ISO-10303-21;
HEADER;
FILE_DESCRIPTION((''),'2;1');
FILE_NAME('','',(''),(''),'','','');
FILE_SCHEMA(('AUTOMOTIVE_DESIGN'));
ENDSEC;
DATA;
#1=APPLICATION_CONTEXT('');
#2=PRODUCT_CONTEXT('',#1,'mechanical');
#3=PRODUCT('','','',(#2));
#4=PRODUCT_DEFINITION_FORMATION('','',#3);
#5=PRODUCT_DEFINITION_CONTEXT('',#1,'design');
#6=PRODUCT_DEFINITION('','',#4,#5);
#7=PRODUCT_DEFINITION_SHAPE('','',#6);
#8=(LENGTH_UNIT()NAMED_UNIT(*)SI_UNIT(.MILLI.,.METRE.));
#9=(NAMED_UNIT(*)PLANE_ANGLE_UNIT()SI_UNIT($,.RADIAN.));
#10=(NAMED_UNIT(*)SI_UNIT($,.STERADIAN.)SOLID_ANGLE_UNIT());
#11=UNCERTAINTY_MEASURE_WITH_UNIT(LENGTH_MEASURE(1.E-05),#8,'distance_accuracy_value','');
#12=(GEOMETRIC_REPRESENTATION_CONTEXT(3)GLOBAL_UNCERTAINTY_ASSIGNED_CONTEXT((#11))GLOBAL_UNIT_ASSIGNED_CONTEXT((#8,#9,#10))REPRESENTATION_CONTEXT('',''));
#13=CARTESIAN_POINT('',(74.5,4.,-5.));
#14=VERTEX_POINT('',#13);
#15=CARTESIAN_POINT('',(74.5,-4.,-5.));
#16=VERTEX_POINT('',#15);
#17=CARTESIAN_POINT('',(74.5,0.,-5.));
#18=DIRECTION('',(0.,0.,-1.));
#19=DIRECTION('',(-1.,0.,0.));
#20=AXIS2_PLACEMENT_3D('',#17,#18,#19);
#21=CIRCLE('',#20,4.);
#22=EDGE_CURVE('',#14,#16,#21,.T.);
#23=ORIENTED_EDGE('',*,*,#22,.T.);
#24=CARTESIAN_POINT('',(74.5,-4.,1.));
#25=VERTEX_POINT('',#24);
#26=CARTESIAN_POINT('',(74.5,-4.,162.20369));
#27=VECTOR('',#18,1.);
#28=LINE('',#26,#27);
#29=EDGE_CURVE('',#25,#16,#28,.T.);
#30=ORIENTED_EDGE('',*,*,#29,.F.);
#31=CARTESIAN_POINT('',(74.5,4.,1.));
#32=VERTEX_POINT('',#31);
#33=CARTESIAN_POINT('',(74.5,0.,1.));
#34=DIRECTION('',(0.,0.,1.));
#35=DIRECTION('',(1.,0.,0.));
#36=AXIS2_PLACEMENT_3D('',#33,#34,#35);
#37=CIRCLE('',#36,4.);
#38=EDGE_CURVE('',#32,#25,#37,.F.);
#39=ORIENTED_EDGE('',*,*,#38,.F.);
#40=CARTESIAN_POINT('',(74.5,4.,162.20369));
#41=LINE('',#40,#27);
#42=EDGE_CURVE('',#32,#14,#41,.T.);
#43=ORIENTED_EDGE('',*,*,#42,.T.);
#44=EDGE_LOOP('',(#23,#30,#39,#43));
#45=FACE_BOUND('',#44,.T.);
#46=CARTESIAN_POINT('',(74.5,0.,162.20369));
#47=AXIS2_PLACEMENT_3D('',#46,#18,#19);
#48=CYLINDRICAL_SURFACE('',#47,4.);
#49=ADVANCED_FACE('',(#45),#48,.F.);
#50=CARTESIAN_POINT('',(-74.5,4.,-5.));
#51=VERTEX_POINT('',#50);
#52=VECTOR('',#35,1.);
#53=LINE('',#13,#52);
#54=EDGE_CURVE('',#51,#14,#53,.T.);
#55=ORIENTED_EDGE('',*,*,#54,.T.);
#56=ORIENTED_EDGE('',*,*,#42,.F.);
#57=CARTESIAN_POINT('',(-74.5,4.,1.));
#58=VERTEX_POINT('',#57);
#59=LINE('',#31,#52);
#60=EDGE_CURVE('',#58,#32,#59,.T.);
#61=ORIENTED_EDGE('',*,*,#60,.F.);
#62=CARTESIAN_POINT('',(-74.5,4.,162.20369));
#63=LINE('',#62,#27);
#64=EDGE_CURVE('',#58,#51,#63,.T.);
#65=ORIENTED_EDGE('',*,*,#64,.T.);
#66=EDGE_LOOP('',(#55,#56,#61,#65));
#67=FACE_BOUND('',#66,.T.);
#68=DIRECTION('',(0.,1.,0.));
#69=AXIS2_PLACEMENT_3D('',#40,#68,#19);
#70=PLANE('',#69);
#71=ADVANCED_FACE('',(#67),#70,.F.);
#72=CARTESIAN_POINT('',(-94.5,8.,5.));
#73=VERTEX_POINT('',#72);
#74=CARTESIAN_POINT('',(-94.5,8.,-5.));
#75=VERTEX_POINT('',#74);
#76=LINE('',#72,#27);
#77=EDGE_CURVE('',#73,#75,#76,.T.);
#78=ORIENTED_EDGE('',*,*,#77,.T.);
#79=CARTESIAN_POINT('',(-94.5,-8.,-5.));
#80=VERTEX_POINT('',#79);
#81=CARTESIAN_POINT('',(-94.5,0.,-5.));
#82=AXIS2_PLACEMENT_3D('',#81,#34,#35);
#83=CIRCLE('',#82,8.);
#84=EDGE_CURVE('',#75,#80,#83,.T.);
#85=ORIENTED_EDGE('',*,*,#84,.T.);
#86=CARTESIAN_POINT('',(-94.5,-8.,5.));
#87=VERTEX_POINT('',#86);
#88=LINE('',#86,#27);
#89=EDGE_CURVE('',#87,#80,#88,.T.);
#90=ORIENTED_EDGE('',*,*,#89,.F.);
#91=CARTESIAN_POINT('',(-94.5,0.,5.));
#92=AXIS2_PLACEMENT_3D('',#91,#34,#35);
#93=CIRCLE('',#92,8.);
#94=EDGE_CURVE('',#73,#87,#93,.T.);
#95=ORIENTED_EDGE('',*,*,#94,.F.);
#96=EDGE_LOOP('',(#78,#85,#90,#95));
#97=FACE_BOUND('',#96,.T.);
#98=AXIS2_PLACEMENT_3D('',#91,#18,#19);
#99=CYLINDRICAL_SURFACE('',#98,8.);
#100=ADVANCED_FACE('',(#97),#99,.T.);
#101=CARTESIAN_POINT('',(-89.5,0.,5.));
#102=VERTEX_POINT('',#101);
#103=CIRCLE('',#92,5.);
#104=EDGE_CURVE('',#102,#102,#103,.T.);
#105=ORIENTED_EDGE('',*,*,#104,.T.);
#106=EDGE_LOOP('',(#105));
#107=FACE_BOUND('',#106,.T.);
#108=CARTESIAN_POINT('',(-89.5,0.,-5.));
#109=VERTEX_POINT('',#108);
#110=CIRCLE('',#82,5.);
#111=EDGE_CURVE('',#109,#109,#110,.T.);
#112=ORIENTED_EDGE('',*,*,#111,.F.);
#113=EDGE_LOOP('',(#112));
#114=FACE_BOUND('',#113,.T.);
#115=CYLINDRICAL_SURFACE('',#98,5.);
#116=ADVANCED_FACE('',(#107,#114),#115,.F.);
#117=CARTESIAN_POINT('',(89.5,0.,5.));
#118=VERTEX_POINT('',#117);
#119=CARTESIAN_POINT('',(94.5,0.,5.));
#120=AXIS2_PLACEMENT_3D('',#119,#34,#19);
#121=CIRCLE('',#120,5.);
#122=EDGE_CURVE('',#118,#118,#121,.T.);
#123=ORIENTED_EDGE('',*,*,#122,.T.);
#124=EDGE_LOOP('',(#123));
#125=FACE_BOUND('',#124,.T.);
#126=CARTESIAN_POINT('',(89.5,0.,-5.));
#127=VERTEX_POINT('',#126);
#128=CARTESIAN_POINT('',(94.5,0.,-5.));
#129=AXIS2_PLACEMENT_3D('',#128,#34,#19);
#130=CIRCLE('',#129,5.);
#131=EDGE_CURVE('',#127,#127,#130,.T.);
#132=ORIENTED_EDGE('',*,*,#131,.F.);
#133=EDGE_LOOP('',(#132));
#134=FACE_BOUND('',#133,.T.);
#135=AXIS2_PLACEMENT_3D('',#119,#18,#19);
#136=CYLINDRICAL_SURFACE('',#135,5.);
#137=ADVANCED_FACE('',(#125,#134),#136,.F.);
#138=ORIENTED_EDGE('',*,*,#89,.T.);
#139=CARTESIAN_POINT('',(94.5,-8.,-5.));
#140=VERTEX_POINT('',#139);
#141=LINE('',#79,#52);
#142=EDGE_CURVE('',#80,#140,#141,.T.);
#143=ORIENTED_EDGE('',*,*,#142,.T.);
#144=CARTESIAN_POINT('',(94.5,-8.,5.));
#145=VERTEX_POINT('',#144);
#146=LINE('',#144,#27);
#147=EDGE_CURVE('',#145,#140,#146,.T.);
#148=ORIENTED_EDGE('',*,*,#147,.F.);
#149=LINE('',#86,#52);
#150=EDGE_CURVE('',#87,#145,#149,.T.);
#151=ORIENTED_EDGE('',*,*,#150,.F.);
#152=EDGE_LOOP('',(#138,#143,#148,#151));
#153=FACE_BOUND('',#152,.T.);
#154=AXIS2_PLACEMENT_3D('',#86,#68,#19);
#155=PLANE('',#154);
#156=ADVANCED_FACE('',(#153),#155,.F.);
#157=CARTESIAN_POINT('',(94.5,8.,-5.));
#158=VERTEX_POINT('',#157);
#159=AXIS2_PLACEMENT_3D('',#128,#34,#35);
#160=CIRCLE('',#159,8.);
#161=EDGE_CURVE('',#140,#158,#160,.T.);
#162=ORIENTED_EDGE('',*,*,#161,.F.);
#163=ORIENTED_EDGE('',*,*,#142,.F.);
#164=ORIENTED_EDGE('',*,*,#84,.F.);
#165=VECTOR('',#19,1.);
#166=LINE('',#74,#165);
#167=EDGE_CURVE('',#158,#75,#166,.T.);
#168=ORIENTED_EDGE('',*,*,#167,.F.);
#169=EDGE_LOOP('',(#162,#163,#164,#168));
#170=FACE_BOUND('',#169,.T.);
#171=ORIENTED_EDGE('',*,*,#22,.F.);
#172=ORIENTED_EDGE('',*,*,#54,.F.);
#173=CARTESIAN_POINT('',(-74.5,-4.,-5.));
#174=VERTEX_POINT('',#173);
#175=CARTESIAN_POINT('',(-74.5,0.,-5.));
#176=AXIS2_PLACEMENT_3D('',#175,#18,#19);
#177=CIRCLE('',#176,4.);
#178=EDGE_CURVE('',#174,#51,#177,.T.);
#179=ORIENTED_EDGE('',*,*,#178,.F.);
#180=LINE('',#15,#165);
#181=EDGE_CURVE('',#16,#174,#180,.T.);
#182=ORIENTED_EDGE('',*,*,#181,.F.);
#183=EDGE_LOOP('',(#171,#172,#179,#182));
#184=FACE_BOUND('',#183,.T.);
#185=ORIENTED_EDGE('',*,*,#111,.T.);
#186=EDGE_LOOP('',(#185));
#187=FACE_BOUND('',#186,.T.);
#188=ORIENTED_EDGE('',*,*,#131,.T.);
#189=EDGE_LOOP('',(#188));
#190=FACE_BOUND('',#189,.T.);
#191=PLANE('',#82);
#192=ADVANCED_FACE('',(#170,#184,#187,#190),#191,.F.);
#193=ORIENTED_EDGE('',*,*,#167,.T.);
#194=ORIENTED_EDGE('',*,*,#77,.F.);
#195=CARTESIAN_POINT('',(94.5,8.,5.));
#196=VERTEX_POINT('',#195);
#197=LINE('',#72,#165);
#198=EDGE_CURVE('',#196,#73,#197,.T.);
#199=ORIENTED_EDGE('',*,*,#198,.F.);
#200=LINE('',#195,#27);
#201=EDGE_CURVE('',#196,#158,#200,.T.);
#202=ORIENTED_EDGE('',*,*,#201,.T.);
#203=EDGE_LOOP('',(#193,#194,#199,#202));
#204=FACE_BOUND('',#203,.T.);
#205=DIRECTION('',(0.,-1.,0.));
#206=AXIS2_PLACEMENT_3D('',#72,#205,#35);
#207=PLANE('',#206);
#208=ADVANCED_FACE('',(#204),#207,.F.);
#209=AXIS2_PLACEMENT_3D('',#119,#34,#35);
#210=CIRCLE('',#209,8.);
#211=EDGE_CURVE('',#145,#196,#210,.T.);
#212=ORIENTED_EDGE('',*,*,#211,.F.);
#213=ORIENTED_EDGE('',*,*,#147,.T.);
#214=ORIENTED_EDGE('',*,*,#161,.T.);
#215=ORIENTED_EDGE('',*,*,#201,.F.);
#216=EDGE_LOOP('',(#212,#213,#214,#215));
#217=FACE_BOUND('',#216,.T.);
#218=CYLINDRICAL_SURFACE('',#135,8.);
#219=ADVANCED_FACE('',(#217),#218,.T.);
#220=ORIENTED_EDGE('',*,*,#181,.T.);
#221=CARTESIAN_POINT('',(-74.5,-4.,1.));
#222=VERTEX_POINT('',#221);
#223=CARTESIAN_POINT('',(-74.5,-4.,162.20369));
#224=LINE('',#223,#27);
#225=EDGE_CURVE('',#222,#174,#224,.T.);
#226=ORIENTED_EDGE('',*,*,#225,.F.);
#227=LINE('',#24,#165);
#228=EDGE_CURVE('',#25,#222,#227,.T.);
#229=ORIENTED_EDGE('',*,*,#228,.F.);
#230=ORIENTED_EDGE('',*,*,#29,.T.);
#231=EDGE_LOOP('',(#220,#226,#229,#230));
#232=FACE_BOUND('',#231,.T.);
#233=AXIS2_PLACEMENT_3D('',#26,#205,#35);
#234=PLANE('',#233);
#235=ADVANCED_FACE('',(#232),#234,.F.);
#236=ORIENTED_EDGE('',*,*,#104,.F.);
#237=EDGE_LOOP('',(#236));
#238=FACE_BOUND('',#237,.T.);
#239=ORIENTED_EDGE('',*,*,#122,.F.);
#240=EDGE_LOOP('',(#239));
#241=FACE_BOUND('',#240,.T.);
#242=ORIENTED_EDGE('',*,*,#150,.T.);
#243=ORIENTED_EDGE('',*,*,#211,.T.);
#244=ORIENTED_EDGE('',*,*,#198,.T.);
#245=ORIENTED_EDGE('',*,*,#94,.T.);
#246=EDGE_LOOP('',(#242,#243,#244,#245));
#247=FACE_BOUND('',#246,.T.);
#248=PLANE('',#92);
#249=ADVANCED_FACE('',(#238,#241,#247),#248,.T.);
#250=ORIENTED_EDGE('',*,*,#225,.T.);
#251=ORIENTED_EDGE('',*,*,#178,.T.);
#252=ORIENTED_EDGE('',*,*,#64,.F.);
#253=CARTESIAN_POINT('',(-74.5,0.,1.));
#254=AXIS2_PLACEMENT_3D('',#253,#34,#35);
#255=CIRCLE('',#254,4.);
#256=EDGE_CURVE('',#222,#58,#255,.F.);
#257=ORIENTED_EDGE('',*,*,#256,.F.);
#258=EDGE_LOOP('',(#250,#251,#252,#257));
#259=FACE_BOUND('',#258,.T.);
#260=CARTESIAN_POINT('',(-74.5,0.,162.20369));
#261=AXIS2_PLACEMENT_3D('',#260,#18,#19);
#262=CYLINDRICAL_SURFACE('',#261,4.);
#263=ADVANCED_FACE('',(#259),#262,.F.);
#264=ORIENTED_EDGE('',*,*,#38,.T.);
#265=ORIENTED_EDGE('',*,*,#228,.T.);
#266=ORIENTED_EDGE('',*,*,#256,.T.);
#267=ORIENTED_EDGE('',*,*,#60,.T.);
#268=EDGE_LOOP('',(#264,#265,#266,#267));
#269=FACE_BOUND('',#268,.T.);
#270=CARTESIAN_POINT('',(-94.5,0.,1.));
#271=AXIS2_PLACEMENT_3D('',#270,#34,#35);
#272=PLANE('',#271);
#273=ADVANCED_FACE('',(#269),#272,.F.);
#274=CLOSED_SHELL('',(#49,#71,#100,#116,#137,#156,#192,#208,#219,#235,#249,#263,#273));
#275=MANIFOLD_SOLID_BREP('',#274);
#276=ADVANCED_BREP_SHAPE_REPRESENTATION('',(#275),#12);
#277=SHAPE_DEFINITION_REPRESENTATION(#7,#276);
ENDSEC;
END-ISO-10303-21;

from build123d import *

# Parameters (mm, degrees)
SKETCH1_R           = 5
BOSS_EXTRUDE1_DEPTH = 5
CUT_EXTRUDE1_DEPTH  = 6


with BuildPart() as part:
    # Sketch1 → Boss-Extrude1 (new, symmetric)
    with BuildSketch(Plane.XY):
        with BuildLine():
            Line((-94.5, 8), (94.5, 8))
            ThreePointArc((94.5, 8), (102.5, 0), (94.5, -8))
            Line((94.5, -8), (-94.5, -8))
            ThreePointArc((-94.5, -8), (-102.5, 0), (-94.5, 8))
        make_face()
        with Locations((-94.5, 0)):
            Circle(SKETCH1_R, mode=Mode.SUBTRACT)
        with Locations(Location((94.5, 0, 0), (0, 0, 180))):
            Circle(SKETCH1_R, mode=Mode.SUBTRACT)
    extrude(amount=BOSS_EXTRUDE1_DEPTH, both=True)

    # Sketch2 → Cut-Extrude1 (cut)
    with BuildSketch(Plane(origin=(0, 0, -5), x_dir=(-1, 0, 0), z_dir=(0, 0, -1))):
        with BuildLine():
            Line((-74.5, 4), (74.5, 4))
            ThreePointArc((74.5, 4), (78.5, 0), (74.5, -4))
            Line((74.5, -4), (-74.5, -4))
            ThreePointArc((-74.5, -4), (-78.5, 0), (-74.5, 4))
        make_face()
    extrude(amount=-CUT_EXTRUDE1_DEPTH, mode=Mode.SUBTRACT)


solid = part.part
